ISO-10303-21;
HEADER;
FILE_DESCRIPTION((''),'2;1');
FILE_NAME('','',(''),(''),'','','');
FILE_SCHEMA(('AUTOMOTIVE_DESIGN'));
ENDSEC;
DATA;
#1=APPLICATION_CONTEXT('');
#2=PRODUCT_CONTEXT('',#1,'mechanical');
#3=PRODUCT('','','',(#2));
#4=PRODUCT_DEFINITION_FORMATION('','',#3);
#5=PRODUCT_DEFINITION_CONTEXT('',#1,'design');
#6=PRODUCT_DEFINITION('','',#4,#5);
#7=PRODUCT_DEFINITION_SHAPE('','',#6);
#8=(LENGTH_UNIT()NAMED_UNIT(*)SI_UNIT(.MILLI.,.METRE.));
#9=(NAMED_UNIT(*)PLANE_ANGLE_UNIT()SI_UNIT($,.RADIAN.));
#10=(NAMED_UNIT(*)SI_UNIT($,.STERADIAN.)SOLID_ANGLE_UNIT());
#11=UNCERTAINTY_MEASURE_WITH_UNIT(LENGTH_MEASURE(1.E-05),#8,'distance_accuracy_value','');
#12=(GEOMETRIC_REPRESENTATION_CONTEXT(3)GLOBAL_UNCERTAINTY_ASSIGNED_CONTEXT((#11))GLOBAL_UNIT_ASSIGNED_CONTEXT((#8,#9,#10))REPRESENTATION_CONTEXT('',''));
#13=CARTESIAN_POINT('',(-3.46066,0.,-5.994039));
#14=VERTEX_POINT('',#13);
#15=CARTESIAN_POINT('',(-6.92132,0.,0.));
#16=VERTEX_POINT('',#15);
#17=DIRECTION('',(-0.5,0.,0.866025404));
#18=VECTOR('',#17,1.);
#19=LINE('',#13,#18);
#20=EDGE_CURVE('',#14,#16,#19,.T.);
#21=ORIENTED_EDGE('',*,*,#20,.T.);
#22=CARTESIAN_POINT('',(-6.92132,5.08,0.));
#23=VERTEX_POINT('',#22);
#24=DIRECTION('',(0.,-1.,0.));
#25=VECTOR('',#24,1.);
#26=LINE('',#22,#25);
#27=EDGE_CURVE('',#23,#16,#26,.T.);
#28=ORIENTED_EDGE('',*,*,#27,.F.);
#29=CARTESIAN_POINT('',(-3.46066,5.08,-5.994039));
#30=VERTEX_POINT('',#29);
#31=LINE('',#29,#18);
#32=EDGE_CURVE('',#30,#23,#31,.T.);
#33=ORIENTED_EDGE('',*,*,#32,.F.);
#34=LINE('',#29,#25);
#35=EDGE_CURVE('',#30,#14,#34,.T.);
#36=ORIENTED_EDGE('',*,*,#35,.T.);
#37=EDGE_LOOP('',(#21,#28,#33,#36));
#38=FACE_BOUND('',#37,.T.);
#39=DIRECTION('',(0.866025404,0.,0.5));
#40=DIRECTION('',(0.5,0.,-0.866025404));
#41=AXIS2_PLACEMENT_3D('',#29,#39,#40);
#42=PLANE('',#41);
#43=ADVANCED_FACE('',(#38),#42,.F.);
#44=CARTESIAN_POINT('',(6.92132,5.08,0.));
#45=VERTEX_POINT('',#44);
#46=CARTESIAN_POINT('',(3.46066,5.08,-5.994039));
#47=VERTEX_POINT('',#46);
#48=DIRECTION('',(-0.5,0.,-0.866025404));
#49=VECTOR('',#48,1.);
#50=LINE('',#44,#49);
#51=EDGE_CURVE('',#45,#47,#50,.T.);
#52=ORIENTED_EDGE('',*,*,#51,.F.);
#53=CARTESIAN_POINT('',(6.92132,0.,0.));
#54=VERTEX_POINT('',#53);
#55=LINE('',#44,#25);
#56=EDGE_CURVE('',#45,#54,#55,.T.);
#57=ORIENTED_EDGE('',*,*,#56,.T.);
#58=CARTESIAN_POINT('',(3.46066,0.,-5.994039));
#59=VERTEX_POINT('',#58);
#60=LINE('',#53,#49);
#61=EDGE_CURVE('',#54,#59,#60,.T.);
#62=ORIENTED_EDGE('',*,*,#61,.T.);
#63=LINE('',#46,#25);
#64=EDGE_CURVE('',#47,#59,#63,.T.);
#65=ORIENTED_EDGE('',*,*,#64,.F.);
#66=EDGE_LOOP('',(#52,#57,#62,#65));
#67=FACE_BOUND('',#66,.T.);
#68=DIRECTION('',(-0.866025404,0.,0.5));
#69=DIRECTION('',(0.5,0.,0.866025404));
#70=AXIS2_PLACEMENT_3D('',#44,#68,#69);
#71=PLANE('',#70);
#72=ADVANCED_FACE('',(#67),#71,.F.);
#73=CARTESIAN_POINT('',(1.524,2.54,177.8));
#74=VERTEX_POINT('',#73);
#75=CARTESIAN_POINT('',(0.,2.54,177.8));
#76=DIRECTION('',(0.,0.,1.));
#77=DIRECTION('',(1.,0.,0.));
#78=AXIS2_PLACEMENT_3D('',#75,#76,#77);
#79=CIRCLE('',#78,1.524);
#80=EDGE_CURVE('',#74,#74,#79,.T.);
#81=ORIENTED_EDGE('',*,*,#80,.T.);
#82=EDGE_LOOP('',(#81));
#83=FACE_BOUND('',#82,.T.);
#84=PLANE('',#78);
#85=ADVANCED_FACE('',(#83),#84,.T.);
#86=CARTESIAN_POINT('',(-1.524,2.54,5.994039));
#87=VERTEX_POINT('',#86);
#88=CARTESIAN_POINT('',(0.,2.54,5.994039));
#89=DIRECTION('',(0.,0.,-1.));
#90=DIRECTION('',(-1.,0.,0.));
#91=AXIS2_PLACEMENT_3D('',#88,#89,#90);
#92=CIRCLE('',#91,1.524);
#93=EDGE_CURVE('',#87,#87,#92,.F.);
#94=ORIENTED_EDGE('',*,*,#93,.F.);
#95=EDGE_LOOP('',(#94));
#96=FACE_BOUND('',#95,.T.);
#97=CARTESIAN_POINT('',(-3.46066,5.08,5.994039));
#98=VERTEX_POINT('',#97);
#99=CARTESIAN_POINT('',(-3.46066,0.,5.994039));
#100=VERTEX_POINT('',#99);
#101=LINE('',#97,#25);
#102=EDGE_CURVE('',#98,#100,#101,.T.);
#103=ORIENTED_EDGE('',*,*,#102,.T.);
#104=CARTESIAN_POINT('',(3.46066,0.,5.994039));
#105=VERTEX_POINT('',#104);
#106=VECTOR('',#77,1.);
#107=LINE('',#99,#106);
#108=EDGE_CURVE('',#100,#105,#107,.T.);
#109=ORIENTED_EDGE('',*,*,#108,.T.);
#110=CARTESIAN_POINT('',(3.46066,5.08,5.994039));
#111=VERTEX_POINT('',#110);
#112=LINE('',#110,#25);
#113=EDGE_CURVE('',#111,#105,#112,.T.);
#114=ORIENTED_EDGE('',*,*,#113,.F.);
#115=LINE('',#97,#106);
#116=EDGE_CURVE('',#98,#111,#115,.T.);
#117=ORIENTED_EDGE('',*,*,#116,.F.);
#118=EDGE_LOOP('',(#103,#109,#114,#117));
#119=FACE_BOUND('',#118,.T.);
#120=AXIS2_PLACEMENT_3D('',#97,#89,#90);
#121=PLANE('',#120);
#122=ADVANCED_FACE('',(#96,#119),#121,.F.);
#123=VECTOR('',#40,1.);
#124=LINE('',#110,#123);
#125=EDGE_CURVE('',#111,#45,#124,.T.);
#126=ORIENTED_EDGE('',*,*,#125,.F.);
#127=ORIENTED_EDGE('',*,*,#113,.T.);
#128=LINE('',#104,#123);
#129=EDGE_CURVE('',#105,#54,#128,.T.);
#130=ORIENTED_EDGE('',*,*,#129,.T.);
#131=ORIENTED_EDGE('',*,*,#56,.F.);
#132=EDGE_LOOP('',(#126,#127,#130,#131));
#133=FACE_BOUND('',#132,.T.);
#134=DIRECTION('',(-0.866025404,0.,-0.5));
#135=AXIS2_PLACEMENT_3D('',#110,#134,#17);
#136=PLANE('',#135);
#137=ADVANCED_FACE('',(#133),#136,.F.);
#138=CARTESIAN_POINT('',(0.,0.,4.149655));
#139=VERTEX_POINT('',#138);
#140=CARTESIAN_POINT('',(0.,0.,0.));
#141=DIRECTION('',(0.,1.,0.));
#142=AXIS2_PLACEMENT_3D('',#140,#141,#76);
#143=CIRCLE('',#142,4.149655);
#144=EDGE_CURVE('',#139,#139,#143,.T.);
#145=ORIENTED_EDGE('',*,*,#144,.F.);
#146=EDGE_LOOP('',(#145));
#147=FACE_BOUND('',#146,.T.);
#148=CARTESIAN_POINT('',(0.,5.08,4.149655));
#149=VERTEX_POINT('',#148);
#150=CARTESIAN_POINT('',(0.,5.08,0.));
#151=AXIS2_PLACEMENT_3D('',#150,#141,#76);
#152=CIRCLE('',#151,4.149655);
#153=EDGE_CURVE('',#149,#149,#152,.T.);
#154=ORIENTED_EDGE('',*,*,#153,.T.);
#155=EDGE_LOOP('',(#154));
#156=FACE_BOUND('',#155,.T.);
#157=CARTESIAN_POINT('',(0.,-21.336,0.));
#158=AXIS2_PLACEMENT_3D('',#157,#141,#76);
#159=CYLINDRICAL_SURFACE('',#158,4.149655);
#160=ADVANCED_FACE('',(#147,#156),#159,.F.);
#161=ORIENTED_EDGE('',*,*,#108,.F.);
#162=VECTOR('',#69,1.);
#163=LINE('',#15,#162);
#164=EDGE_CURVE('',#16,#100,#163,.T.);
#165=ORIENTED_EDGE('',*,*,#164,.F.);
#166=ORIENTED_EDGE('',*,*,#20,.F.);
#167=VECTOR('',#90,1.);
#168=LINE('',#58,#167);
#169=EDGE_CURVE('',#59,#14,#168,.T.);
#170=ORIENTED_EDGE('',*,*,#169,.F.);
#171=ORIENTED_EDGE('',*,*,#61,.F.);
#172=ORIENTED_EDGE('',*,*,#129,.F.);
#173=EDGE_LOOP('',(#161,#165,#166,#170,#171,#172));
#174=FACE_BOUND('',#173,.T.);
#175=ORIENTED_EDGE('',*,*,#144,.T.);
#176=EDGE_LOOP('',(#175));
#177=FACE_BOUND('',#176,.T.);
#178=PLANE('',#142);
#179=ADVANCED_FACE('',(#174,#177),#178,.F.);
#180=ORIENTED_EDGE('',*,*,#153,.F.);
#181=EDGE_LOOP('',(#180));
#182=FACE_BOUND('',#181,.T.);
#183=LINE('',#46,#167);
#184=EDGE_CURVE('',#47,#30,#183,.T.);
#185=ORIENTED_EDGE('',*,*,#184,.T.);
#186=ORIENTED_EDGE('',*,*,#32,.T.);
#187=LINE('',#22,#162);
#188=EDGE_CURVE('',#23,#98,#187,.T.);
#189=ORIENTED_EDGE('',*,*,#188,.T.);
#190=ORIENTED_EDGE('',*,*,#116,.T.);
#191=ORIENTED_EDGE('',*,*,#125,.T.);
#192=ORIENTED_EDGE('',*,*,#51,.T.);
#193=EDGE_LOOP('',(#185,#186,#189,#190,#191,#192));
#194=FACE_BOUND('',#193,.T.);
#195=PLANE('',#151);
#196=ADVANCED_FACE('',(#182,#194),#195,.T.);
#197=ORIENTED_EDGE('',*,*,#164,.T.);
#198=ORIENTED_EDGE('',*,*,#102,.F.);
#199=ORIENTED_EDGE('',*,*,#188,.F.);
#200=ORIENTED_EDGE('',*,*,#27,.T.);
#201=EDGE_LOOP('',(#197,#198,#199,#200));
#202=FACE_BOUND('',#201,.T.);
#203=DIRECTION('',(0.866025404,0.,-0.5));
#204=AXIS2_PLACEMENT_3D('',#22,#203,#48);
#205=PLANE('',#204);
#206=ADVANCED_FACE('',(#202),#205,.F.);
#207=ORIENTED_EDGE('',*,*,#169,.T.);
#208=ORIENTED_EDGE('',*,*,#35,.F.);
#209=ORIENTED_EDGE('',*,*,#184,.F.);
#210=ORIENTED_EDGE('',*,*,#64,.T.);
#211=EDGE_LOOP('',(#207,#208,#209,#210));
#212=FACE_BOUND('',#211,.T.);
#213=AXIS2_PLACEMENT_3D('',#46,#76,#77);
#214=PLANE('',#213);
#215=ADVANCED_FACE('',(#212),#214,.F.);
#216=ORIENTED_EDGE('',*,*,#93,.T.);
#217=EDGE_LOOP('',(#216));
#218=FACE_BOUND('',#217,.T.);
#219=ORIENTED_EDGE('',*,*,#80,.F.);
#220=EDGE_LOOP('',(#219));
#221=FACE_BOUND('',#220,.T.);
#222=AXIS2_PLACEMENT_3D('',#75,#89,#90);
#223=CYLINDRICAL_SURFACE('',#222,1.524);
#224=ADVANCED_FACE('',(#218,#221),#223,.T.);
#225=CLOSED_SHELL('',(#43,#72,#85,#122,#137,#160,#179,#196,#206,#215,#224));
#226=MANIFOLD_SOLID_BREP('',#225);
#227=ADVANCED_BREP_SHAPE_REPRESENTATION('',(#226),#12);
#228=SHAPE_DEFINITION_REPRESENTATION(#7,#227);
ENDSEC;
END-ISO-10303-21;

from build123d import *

# Parameters (mm, degrees)
CROQUIS1_R                   = 3.97256
SALIENTE_EXTRUIR2_DEPTH      = 5.08
CROQUIS2_R                   = 1.524
SALIENTE_EXTRUIR4_DEPTH      = 177.8
SALIENTE_EXTRUIR4_DEPTH_BACK = 2.54
CROQUIS3_R                   = 4.149655304
CORTAR_EXTRUIR1_DEPTH        = 20.32
CORTAR_EXTRUIR1_DEPTH_BACK   = 21.336


with BuildPart() as part:
    # Croquis1 → Saliente-Extruir2 (new body)
    with BuildSketch(Plane(origin=(0, 0, 0), x_dir=(1, 0, 0), z_dir=(0, 1, 0))):
        Polygon((6.921319842, 0), (3.460659921, 5.994038811), (-3.460659921, 5.994038811), (-6.921319842, 0), (-3.460659921, -5.994038811), (3.460659921, -5.994038811), align=None)
        Circle(CROQUIS1_R, mode=Mode.SUBTRACT)
    extrude(amount=SALIENTE_EXTRUIR2_DEPTH)

    # Croquis2 → Saliente-Extruir4 (add, two sides)
    with BuildSketch(Plane.XY) as saliente_extruir4_sk:
        with Locations((0, 2.54)):
            Circle(CROQUIS2_R)
    extrude(amount=SALIENTE_EXTRUIR4_DEPTH)
    extrude(saliente_extruir4_sk.sketch, amount=-SALIENTE_EXTRUIR4_DEPTH_BACK)

    # Croquis3 → Cortar-Extruir1 (cut, two sides)
    with BuildSketch(Plane(origin=(0, 0, 0), x_dir=(1, 0, 0), z_dir=(0, 1, 0))) as cortar_extruir1_sk:
        Circle(CROQUIS3_R)
    extrude(amount=CORTAR_EXTRUIR1_DEPTH, mode=Mode.SUBTRACT)
    extrude(cortar_extruir1_sk.sketch, amount=-CORTAR_EXTRUIR1_DEPTH_BACK, mode=Mode.SUBTRACT)


solid = part.part
